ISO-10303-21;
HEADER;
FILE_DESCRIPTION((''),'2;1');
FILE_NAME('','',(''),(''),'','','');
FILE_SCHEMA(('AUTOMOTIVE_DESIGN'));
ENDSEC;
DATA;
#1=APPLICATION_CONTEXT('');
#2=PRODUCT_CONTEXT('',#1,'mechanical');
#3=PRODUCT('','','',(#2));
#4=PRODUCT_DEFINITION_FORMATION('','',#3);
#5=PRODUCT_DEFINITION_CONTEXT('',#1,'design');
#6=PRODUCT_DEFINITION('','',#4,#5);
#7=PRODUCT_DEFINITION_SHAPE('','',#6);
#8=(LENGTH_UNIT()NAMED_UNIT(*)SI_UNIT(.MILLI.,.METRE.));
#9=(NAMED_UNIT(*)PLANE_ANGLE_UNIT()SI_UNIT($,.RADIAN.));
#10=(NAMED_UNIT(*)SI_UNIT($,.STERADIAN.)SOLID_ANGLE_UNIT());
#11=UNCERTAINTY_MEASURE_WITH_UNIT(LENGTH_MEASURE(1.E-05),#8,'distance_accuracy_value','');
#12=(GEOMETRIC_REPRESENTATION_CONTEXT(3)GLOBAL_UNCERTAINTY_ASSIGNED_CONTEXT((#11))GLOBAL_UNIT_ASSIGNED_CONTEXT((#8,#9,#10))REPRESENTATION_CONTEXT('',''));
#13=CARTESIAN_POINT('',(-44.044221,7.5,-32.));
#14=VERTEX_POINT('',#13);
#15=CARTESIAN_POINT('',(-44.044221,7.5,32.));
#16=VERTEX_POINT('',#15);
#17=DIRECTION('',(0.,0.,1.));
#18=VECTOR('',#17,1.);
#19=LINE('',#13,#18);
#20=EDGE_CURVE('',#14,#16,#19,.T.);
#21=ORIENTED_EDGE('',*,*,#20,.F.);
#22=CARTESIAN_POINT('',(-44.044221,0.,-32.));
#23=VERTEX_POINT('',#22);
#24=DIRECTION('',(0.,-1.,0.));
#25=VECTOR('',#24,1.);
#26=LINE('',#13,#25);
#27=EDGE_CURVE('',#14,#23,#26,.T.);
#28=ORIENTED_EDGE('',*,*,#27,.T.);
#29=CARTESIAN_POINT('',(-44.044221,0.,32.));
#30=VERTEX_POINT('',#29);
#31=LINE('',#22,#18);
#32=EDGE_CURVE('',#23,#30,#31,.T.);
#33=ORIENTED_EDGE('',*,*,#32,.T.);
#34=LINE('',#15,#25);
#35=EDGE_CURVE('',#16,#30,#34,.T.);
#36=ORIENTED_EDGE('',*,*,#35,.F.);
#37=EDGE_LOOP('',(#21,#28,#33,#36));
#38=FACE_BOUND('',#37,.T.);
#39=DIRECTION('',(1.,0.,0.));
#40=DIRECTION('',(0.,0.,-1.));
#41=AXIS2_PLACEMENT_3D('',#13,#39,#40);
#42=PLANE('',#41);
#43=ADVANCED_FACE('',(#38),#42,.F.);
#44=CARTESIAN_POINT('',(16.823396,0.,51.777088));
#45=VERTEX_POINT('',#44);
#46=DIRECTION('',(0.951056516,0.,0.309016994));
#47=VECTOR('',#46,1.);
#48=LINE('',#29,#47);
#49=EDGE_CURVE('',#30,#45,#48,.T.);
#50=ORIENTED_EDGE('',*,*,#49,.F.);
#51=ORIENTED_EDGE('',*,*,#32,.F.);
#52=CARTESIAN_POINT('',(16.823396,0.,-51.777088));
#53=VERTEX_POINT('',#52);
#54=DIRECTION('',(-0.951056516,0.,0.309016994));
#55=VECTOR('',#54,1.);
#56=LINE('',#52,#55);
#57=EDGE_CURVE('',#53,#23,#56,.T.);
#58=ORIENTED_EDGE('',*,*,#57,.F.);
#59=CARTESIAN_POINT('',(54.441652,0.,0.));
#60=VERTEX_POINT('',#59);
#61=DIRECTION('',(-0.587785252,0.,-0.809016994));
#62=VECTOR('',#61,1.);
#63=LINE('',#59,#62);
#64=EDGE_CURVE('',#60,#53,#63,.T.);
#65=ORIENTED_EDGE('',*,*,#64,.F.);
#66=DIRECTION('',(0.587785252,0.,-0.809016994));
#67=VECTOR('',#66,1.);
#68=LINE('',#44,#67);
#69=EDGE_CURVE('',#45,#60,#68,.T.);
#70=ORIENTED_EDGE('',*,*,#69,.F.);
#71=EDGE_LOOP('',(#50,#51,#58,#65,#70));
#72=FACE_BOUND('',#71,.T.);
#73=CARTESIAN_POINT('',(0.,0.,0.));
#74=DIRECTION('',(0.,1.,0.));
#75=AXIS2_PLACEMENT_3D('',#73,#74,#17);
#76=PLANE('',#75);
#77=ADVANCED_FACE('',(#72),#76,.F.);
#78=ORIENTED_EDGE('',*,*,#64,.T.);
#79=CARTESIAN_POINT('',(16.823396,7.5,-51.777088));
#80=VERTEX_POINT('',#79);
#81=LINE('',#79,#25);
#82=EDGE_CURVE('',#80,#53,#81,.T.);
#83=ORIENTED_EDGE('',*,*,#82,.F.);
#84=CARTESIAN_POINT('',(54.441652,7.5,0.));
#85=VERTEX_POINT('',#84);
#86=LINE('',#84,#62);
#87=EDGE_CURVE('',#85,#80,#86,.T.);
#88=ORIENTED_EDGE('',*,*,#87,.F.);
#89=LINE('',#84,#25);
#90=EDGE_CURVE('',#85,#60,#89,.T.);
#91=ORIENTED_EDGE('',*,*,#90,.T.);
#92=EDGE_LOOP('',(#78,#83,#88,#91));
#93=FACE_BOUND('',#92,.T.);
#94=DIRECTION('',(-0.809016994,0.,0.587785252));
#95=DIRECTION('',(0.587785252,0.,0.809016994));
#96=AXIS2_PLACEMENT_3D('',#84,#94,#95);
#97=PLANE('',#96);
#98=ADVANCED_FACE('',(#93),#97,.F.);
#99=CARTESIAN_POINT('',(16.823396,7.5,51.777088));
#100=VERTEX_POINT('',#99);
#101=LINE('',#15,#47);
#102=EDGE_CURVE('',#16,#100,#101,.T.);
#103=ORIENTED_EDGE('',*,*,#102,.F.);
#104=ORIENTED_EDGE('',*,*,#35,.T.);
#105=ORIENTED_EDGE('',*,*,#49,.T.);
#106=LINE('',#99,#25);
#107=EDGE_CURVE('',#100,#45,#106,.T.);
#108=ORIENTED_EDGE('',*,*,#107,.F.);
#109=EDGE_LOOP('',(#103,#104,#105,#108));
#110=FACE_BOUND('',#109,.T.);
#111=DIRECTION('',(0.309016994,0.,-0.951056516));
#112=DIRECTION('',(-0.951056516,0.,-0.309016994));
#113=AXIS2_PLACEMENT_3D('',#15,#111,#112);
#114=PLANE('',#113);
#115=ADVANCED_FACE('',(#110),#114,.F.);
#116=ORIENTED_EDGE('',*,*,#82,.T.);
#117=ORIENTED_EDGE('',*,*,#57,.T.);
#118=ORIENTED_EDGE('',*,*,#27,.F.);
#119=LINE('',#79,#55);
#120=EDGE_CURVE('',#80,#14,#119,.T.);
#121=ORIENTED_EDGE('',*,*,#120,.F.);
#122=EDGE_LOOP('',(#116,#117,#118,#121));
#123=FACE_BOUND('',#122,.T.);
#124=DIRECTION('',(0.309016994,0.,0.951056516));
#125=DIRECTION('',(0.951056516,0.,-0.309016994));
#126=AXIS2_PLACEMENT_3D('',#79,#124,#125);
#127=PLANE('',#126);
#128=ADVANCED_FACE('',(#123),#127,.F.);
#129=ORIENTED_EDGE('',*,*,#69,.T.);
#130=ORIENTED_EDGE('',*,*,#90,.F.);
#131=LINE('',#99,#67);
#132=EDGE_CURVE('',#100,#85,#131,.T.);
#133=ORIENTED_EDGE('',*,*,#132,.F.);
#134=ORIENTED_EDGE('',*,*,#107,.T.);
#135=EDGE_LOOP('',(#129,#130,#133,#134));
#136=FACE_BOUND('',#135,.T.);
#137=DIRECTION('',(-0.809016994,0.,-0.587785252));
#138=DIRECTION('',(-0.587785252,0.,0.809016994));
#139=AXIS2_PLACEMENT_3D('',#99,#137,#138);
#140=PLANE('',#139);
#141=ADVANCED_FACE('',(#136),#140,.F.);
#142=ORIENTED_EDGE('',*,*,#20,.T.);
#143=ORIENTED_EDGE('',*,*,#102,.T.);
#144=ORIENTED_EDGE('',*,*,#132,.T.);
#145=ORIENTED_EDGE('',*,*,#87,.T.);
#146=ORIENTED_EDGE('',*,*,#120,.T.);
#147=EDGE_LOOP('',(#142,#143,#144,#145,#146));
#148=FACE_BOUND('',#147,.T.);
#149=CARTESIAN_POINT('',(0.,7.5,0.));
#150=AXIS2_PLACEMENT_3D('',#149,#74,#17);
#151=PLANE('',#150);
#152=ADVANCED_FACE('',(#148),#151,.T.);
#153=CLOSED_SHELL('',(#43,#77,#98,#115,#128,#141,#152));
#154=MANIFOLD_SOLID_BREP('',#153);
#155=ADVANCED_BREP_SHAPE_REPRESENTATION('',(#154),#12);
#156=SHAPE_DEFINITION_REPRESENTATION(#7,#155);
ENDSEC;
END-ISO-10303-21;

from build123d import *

# Parameters (mm, degrees)
BOSS_EXTRUDE1_DEPTH = 7.5


with BuildPart() as part:
    # Sketch1 → Boss-Extrude1 (new body)
    with BuildSketch(Plane(origin=(0, 0, 0), x_dir=(1, 0, 0), z_dir=(0, 1, 0))):
        Polygon((54.441651735, 0), (16.823395588, 51.77708764), (-44.044221455, 32), (-44.044221455, -32), (16.823395588, -51.77708764), align=None)
    extrude(amount=BOSS_EXTRUDE1_DEPTH)


solid = part.part
